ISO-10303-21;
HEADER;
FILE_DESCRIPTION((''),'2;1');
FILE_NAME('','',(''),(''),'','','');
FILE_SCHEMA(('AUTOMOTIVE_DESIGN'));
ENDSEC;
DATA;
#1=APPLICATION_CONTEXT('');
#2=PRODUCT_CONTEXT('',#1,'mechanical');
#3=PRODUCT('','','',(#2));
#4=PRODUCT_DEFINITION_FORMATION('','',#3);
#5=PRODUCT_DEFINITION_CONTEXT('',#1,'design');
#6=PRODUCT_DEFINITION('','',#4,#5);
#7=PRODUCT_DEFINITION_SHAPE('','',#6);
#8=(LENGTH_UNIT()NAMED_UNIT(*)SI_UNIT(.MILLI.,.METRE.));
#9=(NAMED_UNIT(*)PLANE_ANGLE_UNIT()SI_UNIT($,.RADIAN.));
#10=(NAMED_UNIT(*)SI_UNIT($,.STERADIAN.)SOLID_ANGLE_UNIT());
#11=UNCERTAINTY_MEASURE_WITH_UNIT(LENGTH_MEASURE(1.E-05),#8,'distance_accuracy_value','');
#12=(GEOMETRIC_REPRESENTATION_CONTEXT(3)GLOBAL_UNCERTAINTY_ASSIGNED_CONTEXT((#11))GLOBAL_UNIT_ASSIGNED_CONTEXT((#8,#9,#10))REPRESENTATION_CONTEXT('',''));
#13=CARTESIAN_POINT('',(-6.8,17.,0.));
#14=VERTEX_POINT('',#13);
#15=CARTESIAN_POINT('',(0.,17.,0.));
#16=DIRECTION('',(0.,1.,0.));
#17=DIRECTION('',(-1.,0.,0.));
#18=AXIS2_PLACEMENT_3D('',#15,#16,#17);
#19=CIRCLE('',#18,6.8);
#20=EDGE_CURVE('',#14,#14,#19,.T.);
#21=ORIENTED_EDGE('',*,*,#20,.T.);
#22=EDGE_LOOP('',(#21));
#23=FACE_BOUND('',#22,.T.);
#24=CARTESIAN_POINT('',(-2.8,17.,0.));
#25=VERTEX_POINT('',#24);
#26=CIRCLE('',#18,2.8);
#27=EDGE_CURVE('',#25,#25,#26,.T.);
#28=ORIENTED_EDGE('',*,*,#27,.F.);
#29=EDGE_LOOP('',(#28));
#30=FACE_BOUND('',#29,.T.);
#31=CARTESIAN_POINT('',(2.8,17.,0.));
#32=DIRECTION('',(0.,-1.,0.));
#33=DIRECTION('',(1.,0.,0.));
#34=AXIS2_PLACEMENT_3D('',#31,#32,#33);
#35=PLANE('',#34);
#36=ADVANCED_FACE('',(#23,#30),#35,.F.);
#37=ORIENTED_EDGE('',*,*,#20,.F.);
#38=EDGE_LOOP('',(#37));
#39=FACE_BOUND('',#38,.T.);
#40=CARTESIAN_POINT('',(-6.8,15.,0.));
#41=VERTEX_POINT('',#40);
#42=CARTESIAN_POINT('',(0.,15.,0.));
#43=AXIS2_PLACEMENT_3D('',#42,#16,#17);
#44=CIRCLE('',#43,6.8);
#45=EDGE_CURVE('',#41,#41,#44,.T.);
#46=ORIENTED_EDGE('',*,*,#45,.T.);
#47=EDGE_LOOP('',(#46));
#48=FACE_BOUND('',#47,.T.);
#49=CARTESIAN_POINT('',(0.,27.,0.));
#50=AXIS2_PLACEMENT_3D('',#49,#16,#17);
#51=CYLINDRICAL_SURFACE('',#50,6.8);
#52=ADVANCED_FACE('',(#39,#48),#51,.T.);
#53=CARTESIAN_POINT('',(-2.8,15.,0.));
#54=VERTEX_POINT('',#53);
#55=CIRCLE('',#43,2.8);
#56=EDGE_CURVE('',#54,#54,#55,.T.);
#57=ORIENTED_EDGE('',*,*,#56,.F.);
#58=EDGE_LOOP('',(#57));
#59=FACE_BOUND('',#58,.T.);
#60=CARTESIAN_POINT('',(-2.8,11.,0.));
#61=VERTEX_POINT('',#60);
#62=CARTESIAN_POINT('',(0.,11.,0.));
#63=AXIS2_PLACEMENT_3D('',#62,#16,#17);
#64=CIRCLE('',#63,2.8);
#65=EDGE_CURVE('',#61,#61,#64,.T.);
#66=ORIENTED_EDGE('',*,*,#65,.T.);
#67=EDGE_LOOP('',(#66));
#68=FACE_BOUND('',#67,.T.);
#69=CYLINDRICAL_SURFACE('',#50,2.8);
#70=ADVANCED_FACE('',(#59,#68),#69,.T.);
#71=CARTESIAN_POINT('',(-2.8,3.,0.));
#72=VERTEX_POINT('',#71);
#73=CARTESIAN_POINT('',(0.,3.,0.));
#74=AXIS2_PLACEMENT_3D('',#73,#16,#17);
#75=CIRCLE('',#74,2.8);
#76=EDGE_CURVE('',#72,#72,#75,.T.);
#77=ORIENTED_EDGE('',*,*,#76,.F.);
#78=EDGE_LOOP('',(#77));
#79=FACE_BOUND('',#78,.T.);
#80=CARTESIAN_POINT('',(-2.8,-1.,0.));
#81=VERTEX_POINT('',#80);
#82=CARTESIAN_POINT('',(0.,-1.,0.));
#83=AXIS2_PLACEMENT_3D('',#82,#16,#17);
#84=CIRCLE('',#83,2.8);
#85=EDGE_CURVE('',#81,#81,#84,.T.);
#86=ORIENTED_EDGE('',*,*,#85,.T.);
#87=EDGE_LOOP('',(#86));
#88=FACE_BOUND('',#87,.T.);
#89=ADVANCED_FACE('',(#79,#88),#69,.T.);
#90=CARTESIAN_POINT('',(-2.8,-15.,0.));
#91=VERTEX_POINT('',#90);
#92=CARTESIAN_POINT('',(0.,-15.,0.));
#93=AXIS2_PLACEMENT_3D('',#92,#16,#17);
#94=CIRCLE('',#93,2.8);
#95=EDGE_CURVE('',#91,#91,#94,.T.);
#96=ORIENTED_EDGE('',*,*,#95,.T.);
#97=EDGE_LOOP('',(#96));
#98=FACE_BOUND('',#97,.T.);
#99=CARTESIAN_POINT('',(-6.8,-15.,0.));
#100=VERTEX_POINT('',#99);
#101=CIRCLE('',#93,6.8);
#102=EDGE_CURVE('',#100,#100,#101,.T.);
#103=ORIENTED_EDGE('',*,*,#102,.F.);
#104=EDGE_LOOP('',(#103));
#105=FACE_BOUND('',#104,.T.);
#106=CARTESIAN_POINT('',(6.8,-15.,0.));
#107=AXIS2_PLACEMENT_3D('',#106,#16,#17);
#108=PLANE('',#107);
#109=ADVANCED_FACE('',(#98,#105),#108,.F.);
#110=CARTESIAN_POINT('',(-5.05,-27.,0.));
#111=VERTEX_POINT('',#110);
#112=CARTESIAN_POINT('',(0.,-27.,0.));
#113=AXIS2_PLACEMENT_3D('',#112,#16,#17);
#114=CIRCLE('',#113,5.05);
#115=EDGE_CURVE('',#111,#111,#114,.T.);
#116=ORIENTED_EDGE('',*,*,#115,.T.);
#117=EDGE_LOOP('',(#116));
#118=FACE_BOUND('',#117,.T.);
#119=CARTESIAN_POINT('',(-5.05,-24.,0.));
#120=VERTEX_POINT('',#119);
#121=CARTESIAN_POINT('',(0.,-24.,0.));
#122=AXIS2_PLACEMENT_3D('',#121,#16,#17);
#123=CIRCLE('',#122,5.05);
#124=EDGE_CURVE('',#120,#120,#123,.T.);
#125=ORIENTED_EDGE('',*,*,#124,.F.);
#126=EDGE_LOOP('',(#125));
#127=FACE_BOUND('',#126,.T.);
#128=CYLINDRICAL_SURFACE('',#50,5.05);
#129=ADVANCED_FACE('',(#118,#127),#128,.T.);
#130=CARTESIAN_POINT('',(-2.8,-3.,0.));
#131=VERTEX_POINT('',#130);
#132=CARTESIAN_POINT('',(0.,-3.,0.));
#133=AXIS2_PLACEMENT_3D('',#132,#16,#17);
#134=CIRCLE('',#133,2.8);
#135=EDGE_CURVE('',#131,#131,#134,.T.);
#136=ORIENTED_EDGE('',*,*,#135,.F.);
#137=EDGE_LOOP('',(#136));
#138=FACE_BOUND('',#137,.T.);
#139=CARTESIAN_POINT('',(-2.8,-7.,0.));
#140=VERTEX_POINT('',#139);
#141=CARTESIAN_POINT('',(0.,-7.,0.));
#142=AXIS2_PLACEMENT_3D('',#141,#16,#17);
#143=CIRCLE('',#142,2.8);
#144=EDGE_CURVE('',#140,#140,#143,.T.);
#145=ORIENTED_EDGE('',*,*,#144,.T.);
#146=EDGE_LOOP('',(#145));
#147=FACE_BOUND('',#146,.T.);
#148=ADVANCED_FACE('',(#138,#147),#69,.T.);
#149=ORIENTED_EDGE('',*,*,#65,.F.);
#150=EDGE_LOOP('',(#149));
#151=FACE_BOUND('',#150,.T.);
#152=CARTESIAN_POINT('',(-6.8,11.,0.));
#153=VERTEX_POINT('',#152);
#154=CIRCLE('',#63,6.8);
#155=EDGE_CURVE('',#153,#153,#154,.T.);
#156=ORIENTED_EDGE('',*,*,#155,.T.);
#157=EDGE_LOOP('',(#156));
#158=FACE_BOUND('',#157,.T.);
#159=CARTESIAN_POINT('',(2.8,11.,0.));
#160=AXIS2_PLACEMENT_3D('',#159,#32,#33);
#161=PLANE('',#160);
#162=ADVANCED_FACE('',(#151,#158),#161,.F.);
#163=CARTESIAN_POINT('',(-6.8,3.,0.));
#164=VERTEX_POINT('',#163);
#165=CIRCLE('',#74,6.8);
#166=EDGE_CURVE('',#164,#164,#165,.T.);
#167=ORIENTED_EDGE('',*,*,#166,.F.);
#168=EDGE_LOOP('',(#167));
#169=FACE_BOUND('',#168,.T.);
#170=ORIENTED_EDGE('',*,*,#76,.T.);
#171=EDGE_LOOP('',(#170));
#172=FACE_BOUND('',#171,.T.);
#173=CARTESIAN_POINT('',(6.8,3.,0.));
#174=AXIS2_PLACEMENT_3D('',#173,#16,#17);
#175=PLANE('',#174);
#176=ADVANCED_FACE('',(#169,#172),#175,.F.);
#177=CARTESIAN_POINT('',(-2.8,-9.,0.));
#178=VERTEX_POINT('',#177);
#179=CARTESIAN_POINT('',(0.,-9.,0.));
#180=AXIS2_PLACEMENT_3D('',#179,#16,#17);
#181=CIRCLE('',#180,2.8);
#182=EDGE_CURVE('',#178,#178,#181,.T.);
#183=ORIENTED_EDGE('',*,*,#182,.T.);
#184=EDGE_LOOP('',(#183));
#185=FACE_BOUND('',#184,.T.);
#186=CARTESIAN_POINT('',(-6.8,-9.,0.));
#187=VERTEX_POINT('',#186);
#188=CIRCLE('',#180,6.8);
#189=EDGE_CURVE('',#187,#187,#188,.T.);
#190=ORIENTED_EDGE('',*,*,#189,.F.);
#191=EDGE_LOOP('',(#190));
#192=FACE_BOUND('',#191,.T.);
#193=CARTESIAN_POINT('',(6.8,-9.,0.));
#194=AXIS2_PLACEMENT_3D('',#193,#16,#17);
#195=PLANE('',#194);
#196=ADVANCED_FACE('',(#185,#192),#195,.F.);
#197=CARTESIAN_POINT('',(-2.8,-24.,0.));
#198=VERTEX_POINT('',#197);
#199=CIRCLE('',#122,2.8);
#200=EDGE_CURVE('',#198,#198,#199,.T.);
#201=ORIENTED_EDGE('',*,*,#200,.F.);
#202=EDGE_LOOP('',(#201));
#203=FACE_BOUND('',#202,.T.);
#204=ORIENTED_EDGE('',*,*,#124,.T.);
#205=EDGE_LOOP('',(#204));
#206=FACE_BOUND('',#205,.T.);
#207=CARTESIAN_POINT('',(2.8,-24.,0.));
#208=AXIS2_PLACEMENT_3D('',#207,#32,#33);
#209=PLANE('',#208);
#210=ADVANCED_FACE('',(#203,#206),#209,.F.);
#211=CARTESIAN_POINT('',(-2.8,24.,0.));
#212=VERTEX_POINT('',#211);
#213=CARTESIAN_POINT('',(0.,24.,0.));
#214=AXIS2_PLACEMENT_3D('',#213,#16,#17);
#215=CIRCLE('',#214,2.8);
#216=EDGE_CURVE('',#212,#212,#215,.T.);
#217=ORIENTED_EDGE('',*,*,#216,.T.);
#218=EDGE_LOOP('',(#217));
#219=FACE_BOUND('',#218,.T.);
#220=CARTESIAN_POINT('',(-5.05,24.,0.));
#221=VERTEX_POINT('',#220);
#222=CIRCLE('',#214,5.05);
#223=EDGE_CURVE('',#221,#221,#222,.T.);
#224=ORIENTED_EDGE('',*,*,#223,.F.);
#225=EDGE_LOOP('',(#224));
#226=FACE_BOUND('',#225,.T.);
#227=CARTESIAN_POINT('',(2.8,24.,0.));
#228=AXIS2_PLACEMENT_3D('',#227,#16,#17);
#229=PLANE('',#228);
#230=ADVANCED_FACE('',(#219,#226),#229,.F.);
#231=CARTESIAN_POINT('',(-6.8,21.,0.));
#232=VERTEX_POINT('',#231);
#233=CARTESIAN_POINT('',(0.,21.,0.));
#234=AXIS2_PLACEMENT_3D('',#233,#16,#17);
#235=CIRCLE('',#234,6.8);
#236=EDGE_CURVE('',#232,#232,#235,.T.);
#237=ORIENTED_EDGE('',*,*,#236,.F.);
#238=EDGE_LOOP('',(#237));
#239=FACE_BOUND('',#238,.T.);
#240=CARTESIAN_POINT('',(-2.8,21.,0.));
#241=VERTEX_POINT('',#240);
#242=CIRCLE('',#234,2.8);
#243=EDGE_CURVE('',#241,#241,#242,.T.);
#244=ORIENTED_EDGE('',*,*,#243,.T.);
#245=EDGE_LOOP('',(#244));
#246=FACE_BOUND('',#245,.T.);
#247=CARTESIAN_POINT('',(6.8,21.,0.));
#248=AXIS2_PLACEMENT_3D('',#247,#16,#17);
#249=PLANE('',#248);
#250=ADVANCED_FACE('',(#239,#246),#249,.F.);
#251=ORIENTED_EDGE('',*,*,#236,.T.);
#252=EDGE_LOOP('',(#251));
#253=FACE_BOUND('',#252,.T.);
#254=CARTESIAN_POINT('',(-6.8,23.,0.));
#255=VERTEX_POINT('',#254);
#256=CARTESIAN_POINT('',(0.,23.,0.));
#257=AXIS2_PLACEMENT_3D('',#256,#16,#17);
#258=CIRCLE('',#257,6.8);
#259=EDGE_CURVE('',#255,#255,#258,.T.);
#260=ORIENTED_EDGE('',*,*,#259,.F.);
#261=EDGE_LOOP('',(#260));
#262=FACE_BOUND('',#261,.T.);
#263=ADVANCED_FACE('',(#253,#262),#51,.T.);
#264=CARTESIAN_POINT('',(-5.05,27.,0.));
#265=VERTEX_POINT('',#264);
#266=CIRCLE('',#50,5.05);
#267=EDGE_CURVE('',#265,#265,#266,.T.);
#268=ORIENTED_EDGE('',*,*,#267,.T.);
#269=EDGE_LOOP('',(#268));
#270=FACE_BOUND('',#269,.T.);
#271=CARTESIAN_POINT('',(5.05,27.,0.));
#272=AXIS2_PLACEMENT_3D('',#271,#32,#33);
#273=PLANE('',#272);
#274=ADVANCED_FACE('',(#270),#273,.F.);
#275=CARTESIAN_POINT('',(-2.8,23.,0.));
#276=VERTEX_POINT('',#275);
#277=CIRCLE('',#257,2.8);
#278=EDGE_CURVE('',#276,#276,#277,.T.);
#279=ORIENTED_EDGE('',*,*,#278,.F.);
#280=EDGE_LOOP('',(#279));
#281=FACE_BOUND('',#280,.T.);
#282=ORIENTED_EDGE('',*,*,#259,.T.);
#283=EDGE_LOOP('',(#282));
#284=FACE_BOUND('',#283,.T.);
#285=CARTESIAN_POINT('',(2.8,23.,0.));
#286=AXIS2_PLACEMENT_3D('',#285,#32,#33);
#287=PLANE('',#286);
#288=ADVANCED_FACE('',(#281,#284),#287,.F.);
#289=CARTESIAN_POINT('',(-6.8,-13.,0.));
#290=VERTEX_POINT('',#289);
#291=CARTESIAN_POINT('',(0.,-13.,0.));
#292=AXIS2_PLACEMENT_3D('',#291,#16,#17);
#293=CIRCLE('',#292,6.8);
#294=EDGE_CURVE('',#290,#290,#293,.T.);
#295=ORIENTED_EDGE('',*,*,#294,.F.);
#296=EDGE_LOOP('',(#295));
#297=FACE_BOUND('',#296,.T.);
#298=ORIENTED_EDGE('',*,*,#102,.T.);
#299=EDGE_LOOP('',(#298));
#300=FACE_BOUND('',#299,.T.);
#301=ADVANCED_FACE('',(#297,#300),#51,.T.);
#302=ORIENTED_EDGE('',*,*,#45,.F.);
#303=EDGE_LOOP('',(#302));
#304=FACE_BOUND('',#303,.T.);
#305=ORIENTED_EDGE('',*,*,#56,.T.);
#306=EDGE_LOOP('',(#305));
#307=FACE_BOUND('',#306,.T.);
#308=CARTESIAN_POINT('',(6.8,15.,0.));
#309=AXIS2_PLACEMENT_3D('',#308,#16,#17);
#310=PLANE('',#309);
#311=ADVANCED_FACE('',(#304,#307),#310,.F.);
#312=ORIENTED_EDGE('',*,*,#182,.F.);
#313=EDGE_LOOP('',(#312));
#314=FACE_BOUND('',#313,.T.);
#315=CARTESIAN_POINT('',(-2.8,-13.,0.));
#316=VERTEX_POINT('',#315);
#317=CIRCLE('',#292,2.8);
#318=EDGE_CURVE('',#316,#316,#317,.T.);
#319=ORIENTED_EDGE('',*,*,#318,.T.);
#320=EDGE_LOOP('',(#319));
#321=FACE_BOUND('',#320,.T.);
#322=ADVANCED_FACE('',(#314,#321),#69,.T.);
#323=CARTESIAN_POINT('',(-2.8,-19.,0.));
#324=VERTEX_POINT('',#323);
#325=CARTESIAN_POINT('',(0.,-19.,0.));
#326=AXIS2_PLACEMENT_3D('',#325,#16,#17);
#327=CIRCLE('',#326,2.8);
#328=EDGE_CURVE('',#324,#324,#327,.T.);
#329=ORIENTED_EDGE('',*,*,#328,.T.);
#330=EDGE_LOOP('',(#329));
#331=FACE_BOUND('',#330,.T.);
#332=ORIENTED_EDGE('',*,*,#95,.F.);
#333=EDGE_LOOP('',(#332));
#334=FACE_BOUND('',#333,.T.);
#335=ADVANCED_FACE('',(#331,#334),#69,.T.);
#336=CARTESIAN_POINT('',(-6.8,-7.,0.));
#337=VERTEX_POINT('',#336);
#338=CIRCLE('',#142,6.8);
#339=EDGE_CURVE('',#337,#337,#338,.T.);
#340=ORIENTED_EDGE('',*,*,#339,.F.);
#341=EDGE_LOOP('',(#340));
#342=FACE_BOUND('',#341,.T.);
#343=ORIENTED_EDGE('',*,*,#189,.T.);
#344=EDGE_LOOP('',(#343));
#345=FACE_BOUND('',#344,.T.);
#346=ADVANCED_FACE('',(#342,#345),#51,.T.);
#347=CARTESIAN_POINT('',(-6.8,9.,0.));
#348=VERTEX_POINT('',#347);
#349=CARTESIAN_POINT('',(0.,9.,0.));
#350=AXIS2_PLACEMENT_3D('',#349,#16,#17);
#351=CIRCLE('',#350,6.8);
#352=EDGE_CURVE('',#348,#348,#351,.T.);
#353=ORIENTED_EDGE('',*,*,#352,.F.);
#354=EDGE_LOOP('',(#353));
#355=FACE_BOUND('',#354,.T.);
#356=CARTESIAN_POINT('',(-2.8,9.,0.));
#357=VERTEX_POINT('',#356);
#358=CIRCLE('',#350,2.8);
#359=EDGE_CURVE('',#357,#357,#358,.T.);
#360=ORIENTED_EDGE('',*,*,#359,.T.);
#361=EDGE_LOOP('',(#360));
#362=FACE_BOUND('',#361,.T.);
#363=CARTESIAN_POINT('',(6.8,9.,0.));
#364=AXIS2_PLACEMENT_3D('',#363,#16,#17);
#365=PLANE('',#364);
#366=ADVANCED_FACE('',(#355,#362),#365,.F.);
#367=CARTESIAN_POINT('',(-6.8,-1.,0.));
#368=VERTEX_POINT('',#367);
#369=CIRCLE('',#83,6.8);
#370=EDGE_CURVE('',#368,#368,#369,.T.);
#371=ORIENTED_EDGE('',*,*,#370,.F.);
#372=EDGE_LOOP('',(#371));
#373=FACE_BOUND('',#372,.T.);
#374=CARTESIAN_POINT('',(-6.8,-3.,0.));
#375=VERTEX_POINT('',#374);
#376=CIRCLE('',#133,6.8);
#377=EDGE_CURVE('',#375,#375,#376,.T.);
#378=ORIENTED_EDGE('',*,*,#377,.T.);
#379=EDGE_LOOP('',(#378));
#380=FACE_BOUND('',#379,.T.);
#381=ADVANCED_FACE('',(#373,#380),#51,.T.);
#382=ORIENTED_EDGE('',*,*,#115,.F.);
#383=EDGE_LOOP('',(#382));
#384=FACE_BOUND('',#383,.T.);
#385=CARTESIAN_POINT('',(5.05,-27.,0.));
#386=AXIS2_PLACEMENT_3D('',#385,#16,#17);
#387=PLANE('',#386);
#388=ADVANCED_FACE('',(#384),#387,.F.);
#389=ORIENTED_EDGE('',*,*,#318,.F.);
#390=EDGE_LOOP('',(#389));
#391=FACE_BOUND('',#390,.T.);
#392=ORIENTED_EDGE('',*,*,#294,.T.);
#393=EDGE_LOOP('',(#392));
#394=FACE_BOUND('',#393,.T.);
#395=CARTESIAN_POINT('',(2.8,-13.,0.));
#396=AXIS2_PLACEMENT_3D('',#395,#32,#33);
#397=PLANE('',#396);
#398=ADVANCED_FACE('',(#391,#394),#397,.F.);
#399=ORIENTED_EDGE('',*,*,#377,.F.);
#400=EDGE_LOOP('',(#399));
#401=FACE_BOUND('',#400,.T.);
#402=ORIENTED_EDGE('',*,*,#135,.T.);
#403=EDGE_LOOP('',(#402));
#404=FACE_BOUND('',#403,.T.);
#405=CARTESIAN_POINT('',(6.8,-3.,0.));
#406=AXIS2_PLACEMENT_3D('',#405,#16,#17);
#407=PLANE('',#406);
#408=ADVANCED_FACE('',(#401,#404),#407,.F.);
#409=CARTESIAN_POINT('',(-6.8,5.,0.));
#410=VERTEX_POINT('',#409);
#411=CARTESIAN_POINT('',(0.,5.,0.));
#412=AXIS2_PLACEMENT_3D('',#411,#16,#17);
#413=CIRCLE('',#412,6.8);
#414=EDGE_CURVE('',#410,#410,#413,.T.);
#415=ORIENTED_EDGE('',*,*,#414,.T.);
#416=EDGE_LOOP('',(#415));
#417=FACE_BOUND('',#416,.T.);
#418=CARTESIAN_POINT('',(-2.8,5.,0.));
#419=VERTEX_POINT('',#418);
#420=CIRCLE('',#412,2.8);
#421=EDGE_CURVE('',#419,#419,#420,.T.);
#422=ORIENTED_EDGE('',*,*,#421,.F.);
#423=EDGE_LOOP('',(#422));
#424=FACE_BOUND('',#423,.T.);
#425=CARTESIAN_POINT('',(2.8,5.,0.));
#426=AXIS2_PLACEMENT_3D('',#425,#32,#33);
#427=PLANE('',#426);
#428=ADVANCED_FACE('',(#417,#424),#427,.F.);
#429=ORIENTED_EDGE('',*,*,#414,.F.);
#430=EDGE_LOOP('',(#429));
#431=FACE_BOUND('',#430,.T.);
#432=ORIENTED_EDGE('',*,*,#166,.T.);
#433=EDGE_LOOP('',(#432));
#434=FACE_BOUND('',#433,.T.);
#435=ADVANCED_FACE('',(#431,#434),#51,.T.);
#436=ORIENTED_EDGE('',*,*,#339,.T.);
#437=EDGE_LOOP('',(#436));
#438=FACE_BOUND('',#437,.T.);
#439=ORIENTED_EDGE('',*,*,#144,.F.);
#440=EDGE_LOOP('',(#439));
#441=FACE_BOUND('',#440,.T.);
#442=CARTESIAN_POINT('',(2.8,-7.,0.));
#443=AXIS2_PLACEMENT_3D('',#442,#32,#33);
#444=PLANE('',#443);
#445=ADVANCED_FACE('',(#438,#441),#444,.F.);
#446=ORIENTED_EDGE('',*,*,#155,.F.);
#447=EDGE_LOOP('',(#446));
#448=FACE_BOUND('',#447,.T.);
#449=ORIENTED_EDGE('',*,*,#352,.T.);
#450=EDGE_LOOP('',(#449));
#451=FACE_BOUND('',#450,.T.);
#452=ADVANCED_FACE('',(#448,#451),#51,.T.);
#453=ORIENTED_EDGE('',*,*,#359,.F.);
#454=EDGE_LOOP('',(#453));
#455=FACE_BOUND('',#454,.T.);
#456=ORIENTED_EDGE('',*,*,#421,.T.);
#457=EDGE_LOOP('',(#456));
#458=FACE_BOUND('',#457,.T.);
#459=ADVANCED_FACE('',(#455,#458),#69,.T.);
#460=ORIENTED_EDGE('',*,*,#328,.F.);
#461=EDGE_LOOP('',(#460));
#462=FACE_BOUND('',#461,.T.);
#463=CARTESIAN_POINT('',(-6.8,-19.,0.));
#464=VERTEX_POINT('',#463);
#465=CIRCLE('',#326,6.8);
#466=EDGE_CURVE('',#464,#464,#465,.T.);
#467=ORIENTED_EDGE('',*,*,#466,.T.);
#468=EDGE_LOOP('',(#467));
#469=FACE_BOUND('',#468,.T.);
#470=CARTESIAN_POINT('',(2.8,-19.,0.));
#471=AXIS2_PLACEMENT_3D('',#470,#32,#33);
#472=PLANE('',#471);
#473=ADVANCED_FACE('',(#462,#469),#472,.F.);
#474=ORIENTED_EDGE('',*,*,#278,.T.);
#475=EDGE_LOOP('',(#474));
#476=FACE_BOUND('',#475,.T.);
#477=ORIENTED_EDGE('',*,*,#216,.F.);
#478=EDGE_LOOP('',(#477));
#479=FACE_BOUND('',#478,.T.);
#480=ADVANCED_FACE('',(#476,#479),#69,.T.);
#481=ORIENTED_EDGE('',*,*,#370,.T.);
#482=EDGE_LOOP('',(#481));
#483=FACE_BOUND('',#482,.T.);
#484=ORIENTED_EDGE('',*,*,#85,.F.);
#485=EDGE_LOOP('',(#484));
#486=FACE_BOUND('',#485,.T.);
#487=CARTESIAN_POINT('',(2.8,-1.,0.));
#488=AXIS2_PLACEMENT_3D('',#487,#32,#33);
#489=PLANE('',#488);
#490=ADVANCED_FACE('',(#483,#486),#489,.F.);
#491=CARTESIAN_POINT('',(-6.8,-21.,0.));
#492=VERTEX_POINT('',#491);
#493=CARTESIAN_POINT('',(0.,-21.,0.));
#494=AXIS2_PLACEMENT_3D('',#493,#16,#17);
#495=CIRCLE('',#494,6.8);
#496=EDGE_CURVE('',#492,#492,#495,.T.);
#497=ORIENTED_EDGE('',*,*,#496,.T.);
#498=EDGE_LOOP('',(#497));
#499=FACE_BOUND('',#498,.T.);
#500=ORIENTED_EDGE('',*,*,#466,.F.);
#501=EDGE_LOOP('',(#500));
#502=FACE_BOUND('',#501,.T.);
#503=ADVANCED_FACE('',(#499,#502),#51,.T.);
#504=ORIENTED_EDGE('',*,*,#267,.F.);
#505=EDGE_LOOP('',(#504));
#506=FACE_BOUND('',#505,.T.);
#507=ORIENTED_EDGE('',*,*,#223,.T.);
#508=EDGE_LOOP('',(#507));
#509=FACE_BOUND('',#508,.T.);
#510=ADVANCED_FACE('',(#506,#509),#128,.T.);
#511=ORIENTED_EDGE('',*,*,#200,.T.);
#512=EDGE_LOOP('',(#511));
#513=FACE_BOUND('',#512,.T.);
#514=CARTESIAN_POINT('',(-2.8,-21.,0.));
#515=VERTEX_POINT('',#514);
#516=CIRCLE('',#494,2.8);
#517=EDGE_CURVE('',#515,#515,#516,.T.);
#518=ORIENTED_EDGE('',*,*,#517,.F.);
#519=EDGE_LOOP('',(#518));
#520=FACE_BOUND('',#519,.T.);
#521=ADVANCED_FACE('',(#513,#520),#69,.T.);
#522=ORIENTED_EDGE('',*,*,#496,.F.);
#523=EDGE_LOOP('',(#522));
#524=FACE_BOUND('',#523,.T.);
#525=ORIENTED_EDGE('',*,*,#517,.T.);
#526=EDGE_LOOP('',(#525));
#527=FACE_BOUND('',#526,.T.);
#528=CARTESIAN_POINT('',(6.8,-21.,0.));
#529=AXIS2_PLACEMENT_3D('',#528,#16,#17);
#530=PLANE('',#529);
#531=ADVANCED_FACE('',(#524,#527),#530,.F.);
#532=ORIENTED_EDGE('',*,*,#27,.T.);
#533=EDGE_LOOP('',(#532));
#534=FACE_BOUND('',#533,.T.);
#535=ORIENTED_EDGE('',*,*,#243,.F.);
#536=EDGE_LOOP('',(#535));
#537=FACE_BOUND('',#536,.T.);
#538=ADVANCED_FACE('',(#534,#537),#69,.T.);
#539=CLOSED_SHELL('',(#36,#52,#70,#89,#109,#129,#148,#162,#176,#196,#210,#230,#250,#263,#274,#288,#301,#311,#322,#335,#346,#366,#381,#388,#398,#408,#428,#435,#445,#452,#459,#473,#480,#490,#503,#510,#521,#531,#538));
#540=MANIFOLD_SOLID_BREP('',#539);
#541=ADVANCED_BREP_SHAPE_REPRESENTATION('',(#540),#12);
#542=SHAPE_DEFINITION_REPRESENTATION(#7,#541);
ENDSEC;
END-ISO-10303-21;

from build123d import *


with BuildPart() as part:
    # Sketch1 → Revolve1 (revolve)
    with BuildSketch(Plane.XY, mode=Mode.PRIVATE) as revolve1_sk:
        Polygon((2.8, 24), (2.8, 23), (6.8, 23), (6.8, 21), (2.8, 21), (2.8, 18), (2.8, 17), (6.8, 17), (6.8, 15), (2.8, 15), (2.8, 12), (2.8, 11), (6.8, 11), (6.8, 9), (2.8, 9), (2.8, 6), (2.8, 5), (6.8, 5), (6.8, 3), (2.8, 3), (2.8, 0), (2.8, -1), (6.8, -1), (6.8, -3), (2.8, -3), (2.8, -6), (2.8, -7), (6.8, -7), (6.8, -9), (2.8, -9), (2.8, -12), (2.8, -13), (6.8, -13), (6.8, -15), (2.8, -15), (2.8, -18), (2.8, -19), (6.8, -19), (6.8, -21), (2.8, -21), (2.8, -24), (5.05, -24), (5.05, -27), (0, -27), (0, 27), (5.05, 27), (5.05, 24), align=None)
    revolve(revolve1_sk.sketch.rotate(Axis((0, 27, 0), (0, -1, 0)), 180), axis=Axis((0, 27, 0), (0, -1, 0)))


solid = part.part
